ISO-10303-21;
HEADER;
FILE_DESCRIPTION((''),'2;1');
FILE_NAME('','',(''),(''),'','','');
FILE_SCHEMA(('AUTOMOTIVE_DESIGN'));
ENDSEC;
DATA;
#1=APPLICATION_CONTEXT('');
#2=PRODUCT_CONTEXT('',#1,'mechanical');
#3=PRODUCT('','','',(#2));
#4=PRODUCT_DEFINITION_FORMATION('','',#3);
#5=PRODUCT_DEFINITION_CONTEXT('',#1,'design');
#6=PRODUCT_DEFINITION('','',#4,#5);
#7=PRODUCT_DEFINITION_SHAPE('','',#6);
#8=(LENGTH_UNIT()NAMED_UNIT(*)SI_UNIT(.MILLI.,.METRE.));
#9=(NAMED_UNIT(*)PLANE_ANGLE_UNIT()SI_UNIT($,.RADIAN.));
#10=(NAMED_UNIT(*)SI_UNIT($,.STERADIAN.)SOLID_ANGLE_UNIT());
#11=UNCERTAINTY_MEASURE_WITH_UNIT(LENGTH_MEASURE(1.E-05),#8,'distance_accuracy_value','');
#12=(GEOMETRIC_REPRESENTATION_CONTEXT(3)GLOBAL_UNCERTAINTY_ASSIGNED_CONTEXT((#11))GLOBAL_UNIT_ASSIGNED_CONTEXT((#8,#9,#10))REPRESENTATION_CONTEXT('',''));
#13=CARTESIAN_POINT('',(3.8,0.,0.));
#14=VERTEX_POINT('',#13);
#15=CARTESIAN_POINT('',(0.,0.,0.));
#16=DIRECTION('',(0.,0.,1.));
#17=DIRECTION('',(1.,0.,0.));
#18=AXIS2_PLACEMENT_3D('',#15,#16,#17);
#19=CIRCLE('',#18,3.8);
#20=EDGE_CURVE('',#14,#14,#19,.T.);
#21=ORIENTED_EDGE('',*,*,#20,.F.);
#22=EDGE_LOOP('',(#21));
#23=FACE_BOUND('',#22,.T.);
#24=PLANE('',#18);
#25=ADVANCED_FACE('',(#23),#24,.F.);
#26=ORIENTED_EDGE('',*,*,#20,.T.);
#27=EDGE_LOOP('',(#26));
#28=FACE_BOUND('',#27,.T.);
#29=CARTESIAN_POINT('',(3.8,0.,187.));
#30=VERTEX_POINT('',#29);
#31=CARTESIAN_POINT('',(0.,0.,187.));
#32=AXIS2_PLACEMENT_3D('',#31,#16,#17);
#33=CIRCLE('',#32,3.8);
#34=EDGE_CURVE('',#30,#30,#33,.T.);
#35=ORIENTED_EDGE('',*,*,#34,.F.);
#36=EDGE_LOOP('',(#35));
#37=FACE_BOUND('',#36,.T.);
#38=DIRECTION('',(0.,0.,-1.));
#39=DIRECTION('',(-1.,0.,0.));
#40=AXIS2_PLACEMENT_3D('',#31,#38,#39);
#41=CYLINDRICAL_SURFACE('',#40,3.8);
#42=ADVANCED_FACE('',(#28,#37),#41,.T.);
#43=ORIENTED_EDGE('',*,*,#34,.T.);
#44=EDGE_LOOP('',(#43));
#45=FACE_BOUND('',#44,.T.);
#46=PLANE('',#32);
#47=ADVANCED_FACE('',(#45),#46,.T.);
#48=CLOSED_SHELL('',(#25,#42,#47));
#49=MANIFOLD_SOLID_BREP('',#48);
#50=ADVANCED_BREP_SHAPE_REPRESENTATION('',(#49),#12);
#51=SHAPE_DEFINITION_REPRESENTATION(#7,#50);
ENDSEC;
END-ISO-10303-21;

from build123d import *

# Parameters (mm, degrees)
SKETCH_1_R  = 3.8
CABLE_DEPTH = 187


with BuildPart() as part:
    # 草图1 → Cable (new body)
    with BuildSketch(Plane.XY):
        Circle(SKETCH_1_R)
    extrude(amount=CABLE_DEPTH)


solid = part.part
